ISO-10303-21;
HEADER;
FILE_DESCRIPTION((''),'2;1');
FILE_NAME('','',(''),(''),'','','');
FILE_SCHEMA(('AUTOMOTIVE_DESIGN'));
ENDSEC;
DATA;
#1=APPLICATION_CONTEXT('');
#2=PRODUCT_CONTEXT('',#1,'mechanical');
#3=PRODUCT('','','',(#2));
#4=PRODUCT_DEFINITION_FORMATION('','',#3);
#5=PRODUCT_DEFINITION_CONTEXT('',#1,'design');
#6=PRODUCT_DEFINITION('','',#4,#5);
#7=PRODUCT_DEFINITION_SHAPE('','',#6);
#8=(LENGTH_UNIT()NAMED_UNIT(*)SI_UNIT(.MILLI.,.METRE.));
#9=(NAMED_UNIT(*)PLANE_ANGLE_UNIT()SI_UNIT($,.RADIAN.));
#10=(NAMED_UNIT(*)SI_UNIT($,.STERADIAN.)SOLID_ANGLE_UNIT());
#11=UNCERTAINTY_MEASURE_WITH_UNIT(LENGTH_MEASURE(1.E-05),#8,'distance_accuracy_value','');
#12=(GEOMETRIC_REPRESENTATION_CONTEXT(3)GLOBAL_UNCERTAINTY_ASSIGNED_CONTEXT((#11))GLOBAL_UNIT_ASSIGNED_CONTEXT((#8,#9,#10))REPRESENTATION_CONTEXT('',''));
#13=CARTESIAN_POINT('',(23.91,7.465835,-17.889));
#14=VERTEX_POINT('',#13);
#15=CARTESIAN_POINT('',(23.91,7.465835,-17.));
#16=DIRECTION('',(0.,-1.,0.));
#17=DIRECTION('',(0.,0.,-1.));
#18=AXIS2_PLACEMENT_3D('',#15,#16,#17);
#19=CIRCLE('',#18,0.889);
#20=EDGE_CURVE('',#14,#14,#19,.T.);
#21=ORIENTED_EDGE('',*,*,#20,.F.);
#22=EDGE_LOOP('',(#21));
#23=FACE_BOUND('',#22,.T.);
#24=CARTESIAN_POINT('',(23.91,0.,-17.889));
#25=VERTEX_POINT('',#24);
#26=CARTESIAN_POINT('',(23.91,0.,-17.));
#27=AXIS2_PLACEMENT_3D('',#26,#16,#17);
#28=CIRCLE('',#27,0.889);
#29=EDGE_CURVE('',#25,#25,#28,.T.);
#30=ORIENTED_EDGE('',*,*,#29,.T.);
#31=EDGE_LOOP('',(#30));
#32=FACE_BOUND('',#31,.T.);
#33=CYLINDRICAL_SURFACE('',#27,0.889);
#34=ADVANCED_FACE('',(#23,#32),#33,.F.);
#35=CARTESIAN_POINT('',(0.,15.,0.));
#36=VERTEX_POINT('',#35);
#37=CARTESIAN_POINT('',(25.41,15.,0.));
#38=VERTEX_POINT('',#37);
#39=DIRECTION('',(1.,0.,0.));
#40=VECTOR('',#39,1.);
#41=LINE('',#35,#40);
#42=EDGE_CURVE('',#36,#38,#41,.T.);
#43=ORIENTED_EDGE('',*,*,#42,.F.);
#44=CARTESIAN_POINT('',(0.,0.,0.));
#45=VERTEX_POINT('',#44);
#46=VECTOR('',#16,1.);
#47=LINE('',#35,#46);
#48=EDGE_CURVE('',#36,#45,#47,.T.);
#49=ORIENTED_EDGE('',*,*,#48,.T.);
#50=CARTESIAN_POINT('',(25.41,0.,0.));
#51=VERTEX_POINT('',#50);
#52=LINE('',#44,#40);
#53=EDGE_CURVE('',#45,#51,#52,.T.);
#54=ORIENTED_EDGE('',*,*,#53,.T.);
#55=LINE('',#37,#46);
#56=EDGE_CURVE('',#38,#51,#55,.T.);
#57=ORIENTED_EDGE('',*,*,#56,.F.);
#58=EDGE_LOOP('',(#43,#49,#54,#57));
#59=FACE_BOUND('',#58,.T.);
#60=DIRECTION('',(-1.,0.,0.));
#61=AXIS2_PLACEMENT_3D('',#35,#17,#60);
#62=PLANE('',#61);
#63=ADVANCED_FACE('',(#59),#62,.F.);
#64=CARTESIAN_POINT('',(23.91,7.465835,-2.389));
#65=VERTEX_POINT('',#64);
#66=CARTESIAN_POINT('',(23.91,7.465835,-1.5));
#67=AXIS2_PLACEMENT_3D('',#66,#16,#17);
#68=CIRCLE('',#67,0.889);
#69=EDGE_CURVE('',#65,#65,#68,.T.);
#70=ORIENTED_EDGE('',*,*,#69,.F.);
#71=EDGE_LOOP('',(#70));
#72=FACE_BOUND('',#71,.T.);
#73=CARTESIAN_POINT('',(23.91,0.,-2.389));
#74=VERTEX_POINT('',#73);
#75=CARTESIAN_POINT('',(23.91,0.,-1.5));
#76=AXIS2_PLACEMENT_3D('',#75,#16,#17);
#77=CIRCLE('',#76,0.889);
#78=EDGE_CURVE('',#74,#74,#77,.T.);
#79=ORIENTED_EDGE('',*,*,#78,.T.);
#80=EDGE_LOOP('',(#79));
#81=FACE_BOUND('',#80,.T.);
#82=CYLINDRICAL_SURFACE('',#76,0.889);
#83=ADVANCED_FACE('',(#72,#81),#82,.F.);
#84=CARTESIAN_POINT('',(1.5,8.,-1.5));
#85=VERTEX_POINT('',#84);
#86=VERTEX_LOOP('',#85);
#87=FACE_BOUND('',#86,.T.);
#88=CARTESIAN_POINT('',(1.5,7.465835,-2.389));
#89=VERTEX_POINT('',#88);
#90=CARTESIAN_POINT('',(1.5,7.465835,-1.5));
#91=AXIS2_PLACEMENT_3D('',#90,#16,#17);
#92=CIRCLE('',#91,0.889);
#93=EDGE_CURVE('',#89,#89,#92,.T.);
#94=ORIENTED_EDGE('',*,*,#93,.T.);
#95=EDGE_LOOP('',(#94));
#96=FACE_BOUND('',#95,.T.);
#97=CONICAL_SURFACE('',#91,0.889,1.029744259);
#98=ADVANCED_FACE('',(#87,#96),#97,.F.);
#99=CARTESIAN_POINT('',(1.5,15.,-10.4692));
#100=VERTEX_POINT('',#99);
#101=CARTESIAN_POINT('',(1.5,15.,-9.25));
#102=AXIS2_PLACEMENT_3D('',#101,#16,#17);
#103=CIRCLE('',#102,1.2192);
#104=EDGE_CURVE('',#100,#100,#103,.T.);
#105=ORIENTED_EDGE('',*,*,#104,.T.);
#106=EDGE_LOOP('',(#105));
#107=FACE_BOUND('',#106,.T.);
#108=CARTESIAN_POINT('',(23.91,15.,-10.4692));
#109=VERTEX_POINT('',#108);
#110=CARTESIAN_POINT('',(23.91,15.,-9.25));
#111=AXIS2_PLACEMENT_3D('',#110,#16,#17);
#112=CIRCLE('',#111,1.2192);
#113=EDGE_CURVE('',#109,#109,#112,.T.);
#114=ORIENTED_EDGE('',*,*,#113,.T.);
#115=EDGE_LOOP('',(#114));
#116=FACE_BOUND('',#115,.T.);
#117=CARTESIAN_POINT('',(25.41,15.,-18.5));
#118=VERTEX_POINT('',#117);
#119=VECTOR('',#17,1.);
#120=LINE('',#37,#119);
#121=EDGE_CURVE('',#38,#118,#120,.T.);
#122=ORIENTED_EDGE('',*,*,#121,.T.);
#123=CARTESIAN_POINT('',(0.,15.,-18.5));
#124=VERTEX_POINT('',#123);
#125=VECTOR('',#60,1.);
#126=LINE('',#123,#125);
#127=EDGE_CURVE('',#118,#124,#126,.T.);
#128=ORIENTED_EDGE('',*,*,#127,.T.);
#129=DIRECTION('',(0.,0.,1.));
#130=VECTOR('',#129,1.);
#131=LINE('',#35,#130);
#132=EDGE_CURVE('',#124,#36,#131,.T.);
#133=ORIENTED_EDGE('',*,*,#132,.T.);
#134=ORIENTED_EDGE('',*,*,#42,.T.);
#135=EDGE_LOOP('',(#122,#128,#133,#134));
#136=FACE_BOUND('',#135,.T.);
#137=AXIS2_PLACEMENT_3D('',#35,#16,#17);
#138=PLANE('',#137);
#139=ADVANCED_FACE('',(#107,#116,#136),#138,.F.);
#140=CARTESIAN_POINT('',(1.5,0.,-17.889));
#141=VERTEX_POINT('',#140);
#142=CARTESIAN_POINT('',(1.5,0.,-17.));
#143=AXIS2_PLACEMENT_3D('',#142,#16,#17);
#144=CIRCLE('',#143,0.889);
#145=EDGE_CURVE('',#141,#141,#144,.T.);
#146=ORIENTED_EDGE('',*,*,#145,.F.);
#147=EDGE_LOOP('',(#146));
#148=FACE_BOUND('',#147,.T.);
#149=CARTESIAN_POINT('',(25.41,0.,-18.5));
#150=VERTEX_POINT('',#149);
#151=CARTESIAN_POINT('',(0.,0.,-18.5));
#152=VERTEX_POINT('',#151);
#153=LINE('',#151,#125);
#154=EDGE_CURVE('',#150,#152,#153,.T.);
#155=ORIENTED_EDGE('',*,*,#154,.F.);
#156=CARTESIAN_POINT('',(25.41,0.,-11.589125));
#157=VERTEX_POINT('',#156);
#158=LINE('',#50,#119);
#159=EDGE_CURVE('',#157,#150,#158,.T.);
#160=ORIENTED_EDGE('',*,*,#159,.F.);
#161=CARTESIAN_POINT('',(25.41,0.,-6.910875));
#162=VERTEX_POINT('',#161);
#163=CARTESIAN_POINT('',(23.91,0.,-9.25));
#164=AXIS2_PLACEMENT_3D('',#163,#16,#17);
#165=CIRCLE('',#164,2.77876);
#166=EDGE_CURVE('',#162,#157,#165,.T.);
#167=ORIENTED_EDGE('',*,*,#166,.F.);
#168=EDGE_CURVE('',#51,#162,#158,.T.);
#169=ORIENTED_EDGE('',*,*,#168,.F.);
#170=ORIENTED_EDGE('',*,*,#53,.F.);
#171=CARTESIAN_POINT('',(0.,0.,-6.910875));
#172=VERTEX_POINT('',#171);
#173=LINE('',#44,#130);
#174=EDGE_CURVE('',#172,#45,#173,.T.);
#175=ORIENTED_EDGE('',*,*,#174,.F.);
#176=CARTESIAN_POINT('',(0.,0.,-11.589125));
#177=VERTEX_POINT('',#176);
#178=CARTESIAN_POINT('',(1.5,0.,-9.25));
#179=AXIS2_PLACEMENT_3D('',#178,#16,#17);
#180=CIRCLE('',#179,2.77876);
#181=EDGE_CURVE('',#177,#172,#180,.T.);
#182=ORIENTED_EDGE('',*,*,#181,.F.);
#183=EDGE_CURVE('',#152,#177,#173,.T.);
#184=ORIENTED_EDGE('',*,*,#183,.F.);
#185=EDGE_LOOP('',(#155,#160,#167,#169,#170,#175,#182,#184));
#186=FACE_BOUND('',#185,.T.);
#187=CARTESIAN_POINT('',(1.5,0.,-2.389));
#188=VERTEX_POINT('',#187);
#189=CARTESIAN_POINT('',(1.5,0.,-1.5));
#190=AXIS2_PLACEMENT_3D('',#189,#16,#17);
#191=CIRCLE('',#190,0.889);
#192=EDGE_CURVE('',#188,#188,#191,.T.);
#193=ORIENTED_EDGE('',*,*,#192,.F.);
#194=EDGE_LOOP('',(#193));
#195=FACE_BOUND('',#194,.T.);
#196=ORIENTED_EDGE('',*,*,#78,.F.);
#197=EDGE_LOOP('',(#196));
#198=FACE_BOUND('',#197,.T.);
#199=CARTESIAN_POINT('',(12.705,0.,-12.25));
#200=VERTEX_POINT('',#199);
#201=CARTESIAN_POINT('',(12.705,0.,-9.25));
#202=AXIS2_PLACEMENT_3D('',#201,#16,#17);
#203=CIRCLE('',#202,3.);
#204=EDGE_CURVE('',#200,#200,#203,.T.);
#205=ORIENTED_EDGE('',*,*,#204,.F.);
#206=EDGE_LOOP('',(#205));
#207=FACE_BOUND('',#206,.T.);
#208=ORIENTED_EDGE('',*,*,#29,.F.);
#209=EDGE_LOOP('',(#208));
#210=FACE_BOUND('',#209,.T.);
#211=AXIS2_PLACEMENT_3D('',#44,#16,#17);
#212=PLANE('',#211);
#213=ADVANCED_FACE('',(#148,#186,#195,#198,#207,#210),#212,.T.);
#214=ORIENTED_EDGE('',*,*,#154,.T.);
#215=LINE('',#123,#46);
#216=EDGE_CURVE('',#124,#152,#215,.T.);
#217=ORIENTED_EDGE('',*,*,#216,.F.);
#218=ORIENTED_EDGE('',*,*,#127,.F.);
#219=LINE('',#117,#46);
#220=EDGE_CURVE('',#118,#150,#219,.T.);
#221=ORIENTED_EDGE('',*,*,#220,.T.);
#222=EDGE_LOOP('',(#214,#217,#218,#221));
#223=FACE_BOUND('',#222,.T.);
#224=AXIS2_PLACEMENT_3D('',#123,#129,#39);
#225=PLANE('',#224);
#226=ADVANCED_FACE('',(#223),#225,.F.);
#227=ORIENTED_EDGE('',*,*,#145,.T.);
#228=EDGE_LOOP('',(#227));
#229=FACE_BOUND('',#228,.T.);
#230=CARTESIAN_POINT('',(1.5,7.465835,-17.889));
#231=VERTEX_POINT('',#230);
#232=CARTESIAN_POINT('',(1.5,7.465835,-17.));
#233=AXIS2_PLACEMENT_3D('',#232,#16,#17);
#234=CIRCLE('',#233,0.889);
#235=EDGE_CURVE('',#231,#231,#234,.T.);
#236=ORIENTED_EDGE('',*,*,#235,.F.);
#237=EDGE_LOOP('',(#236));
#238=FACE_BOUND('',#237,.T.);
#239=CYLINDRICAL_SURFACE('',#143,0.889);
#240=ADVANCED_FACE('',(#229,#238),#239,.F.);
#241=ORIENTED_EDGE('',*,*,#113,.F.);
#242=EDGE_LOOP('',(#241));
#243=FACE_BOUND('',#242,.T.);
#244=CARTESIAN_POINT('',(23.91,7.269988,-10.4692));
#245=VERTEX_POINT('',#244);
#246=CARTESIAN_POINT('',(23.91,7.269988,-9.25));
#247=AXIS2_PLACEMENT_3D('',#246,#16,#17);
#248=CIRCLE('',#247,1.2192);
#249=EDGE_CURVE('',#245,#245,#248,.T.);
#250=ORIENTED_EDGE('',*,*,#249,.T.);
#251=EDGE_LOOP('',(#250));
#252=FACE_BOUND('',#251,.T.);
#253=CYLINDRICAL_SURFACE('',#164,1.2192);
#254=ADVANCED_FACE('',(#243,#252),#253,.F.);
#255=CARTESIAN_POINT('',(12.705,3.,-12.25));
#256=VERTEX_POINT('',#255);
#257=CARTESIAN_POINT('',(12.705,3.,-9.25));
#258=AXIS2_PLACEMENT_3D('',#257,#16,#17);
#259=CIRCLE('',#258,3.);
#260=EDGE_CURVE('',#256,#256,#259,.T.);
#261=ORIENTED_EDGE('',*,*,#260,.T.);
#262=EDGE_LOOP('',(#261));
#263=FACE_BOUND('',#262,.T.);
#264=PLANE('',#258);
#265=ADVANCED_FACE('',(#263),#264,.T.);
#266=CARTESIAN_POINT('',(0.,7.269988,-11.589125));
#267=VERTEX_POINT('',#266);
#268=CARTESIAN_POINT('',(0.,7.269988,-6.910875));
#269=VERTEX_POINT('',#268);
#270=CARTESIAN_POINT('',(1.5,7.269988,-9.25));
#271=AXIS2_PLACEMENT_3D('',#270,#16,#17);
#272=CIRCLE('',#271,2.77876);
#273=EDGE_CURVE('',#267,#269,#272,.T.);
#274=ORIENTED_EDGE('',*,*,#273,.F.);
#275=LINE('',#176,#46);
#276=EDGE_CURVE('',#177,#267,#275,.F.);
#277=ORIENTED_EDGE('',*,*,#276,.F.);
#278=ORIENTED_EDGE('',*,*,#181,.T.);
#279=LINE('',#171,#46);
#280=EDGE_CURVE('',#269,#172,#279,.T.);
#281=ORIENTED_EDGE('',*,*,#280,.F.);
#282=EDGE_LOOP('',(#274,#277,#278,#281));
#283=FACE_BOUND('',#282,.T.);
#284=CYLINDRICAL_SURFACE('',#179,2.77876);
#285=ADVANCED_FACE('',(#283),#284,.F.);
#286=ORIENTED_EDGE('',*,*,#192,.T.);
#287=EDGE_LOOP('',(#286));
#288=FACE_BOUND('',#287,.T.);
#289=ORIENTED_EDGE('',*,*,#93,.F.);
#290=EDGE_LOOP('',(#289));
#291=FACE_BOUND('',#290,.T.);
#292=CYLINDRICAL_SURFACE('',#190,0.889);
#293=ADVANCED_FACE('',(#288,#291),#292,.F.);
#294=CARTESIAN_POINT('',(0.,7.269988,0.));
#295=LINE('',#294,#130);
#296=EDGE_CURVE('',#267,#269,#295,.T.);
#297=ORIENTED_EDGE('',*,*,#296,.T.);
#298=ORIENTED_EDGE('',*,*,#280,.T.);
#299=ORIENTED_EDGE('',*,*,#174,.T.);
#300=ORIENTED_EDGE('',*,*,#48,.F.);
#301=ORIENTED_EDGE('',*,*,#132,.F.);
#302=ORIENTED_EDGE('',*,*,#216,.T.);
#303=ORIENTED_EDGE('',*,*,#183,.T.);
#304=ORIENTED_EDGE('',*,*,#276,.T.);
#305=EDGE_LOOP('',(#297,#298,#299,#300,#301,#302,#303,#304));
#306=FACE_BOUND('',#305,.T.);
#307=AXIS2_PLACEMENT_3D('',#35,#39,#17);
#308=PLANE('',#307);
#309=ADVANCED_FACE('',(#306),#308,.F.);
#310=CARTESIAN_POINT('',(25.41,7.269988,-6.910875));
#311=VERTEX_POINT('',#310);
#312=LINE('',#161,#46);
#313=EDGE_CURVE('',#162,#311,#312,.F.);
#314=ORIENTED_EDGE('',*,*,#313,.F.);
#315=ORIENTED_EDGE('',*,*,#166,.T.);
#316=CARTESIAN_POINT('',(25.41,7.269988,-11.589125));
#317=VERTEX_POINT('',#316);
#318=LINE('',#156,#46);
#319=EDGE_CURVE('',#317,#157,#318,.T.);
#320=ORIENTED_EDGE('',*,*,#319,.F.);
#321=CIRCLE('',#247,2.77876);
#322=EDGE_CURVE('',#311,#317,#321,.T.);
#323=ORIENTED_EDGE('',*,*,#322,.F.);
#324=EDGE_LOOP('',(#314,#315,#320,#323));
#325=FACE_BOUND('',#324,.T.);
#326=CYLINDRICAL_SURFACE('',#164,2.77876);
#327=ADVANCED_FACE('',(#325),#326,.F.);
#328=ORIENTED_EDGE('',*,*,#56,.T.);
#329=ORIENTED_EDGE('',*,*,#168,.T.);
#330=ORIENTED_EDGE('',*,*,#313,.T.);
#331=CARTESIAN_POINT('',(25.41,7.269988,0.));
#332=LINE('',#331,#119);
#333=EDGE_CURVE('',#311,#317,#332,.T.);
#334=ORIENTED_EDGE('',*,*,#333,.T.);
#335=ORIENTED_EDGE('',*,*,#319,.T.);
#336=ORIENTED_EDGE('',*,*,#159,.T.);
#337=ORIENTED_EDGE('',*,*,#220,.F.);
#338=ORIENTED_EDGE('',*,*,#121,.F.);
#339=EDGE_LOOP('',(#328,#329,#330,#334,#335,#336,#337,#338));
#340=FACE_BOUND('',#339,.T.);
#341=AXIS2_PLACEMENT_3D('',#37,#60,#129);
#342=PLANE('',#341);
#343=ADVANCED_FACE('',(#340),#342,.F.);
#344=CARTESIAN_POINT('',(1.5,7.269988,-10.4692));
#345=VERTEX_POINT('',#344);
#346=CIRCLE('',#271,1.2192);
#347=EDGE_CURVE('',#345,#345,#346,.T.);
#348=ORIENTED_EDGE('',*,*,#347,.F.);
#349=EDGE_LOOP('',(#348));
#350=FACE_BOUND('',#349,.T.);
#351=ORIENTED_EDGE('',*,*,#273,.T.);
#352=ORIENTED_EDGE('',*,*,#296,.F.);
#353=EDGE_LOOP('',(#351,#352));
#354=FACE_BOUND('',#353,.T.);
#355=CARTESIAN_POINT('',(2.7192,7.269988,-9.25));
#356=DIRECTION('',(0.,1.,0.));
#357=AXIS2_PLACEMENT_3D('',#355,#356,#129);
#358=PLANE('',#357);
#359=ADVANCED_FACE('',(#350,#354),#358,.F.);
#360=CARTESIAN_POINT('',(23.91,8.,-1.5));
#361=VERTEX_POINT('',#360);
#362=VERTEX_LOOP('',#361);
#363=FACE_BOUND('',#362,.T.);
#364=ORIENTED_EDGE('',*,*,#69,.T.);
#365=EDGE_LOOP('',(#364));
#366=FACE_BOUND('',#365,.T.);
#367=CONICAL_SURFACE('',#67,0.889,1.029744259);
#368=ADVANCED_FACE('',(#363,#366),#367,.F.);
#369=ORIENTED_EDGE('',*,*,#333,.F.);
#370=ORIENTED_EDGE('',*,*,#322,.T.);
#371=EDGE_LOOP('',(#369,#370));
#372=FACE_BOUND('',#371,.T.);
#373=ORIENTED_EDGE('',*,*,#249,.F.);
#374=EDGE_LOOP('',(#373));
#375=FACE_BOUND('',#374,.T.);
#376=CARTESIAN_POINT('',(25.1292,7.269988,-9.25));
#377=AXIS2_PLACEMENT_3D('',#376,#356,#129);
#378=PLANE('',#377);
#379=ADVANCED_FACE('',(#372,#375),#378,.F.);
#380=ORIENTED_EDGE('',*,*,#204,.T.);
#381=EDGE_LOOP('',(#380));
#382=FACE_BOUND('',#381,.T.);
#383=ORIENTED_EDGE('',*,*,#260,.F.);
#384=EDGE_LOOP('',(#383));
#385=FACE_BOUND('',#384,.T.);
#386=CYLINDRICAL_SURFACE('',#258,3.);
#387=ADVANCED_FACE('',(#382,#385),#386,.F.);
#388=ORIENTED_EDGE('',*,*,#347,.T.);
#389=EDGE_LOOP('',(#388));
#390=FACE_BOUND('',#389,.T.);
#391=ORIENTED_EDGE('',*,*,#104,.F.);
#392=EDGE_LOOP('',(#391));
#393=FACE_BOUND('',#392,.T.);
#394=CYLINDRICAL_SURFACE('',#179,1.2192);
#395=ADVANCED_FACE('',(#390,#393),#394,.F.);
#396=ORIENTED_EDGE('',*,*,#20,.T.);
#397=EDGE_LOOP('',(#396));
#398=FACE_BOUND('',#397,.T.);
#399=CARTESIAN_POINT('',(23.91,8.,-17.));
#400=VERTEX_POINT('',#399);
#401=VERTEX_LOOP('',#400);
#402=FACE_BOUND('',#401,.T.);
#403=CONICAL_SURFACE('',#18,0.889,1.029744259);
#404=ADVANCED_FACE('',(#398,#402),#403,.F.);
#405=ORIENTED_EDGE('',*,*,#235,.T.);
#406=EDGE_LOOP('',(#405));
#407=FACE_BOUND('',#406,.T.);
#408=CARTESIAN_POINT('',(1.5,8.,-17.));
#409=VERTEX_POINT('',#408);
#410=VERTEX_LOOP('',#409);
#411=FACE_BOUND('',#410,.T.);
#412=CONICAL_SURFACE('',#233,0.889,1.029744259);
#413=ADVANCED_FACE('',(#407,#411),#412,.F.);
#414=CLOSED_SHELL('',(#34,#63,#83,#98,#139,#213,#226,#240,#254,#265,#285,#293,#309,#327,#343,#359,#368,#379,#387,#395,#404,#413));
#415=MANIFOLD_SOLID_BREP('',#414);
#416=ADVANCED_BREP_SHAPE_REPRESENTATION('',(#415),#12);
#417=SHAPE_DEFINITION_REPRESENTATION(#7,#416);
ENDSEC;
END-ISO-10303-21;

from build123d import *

# Parameters (mm, degrees)
SKETCH1_W                                           = 25.41
SKETCH1_H                                           = 18.5
BOSS_EXTRUDE1_DEPTH                                 = 15
F_2_56_TAPPED_HOLE1_D                               = 1.778
F_2_56_TAPPED_HOLE1_DEPTH                           = 7.46583491
F_2_56_TAPPED_HOLE1_TIP                             = 0.53416509
SKETCH5_R                                           = 3
CUT_EXTRUDE1_DEPTH                                  = 3
CBORE_FOR_2_BINDING_HEAD_MACHINE_SCREW1_D           = 2.4384
CBORE_FOR_2_BINDING_HEAD_MACHINE_SCREW1_CBORE_D     = 5.55752
CBORE_FOR_2_BINDING_HEAD_MACHINE_SCREW1_CBORE_DEPTH = 7.269988


with BuildPart() as part:
    # Sketch1 → Boss-Extrude1 (new body)
    with BuildSketch(Plane(origin=(0, 0, 0), x_dir=(1, 0, 0), z_dir=(0, 1, 0))):
        with Locations((12.705, 9.25)):
            Rectangle(SKETCH1_W, SKETCH1_H)
    extrude(amount=BOSS_EXTRUDE1_DEPTH)

    # #2-56 Tapped Hole1
    with Locations(Plane(origin=(0, 0, 0), x_dir=(-1, 0, 0), z_dir=(0, -1, 0))):
        with Locations((-23.91, 17), (-23.91, 1.5), (-1.5, 1.5), (-1.5, 17)):
            Hole(F_2_56_TAPPED_HOLE1_D / 2, depth=F_2_56_TAPPED_HOLE1_DEPTH)
            with Locations((0, 0, -(F_2_56_TAPPED_HOLE1_DEPTH + F_2_56_TAPPED_HOLE1_TIP / 2))):  # 118° drill point
                Cone(0, F_2_56_TAPPED_HOLE1_D / 2, F_2_56_TAPPED_HOLE1_TIP, mode=Mode.SUBTRACT)

    # Sketch5 → Cut-Extrude1 (cut)
    with BuildSketch(Plane.XZ):
        with Locations((12.705, -9.25)):
            Circle(SKETCH5_R)
    extrude(amount=-CUT_EXTRUDE1_DEPTH, mode=Mode.SUBTRACT)

    # CBORE for #2 Binding Head Machine Screw1 (through all)
    with Locations(Plane(origin=(0, 0, 0), x_dir=(-1, 0, 0), z_dir=(0, -1, 0))):
        with Locations((-23.91, 9.25), (-1.5, 9.25)):
            CounterBoreHole(CBORE_FOR_2_BINDING_HEAD_MACHINE_SCREW1_D / 2, CBORE_FOR_2_BINDING_HEAD_MACHINE_SCREW1_CBORE_D / 2, CBORE_FOR_2_BINDING_HEAD_MACHINE_SCREW1_CBORE_DEPTH)


solid = part.part
